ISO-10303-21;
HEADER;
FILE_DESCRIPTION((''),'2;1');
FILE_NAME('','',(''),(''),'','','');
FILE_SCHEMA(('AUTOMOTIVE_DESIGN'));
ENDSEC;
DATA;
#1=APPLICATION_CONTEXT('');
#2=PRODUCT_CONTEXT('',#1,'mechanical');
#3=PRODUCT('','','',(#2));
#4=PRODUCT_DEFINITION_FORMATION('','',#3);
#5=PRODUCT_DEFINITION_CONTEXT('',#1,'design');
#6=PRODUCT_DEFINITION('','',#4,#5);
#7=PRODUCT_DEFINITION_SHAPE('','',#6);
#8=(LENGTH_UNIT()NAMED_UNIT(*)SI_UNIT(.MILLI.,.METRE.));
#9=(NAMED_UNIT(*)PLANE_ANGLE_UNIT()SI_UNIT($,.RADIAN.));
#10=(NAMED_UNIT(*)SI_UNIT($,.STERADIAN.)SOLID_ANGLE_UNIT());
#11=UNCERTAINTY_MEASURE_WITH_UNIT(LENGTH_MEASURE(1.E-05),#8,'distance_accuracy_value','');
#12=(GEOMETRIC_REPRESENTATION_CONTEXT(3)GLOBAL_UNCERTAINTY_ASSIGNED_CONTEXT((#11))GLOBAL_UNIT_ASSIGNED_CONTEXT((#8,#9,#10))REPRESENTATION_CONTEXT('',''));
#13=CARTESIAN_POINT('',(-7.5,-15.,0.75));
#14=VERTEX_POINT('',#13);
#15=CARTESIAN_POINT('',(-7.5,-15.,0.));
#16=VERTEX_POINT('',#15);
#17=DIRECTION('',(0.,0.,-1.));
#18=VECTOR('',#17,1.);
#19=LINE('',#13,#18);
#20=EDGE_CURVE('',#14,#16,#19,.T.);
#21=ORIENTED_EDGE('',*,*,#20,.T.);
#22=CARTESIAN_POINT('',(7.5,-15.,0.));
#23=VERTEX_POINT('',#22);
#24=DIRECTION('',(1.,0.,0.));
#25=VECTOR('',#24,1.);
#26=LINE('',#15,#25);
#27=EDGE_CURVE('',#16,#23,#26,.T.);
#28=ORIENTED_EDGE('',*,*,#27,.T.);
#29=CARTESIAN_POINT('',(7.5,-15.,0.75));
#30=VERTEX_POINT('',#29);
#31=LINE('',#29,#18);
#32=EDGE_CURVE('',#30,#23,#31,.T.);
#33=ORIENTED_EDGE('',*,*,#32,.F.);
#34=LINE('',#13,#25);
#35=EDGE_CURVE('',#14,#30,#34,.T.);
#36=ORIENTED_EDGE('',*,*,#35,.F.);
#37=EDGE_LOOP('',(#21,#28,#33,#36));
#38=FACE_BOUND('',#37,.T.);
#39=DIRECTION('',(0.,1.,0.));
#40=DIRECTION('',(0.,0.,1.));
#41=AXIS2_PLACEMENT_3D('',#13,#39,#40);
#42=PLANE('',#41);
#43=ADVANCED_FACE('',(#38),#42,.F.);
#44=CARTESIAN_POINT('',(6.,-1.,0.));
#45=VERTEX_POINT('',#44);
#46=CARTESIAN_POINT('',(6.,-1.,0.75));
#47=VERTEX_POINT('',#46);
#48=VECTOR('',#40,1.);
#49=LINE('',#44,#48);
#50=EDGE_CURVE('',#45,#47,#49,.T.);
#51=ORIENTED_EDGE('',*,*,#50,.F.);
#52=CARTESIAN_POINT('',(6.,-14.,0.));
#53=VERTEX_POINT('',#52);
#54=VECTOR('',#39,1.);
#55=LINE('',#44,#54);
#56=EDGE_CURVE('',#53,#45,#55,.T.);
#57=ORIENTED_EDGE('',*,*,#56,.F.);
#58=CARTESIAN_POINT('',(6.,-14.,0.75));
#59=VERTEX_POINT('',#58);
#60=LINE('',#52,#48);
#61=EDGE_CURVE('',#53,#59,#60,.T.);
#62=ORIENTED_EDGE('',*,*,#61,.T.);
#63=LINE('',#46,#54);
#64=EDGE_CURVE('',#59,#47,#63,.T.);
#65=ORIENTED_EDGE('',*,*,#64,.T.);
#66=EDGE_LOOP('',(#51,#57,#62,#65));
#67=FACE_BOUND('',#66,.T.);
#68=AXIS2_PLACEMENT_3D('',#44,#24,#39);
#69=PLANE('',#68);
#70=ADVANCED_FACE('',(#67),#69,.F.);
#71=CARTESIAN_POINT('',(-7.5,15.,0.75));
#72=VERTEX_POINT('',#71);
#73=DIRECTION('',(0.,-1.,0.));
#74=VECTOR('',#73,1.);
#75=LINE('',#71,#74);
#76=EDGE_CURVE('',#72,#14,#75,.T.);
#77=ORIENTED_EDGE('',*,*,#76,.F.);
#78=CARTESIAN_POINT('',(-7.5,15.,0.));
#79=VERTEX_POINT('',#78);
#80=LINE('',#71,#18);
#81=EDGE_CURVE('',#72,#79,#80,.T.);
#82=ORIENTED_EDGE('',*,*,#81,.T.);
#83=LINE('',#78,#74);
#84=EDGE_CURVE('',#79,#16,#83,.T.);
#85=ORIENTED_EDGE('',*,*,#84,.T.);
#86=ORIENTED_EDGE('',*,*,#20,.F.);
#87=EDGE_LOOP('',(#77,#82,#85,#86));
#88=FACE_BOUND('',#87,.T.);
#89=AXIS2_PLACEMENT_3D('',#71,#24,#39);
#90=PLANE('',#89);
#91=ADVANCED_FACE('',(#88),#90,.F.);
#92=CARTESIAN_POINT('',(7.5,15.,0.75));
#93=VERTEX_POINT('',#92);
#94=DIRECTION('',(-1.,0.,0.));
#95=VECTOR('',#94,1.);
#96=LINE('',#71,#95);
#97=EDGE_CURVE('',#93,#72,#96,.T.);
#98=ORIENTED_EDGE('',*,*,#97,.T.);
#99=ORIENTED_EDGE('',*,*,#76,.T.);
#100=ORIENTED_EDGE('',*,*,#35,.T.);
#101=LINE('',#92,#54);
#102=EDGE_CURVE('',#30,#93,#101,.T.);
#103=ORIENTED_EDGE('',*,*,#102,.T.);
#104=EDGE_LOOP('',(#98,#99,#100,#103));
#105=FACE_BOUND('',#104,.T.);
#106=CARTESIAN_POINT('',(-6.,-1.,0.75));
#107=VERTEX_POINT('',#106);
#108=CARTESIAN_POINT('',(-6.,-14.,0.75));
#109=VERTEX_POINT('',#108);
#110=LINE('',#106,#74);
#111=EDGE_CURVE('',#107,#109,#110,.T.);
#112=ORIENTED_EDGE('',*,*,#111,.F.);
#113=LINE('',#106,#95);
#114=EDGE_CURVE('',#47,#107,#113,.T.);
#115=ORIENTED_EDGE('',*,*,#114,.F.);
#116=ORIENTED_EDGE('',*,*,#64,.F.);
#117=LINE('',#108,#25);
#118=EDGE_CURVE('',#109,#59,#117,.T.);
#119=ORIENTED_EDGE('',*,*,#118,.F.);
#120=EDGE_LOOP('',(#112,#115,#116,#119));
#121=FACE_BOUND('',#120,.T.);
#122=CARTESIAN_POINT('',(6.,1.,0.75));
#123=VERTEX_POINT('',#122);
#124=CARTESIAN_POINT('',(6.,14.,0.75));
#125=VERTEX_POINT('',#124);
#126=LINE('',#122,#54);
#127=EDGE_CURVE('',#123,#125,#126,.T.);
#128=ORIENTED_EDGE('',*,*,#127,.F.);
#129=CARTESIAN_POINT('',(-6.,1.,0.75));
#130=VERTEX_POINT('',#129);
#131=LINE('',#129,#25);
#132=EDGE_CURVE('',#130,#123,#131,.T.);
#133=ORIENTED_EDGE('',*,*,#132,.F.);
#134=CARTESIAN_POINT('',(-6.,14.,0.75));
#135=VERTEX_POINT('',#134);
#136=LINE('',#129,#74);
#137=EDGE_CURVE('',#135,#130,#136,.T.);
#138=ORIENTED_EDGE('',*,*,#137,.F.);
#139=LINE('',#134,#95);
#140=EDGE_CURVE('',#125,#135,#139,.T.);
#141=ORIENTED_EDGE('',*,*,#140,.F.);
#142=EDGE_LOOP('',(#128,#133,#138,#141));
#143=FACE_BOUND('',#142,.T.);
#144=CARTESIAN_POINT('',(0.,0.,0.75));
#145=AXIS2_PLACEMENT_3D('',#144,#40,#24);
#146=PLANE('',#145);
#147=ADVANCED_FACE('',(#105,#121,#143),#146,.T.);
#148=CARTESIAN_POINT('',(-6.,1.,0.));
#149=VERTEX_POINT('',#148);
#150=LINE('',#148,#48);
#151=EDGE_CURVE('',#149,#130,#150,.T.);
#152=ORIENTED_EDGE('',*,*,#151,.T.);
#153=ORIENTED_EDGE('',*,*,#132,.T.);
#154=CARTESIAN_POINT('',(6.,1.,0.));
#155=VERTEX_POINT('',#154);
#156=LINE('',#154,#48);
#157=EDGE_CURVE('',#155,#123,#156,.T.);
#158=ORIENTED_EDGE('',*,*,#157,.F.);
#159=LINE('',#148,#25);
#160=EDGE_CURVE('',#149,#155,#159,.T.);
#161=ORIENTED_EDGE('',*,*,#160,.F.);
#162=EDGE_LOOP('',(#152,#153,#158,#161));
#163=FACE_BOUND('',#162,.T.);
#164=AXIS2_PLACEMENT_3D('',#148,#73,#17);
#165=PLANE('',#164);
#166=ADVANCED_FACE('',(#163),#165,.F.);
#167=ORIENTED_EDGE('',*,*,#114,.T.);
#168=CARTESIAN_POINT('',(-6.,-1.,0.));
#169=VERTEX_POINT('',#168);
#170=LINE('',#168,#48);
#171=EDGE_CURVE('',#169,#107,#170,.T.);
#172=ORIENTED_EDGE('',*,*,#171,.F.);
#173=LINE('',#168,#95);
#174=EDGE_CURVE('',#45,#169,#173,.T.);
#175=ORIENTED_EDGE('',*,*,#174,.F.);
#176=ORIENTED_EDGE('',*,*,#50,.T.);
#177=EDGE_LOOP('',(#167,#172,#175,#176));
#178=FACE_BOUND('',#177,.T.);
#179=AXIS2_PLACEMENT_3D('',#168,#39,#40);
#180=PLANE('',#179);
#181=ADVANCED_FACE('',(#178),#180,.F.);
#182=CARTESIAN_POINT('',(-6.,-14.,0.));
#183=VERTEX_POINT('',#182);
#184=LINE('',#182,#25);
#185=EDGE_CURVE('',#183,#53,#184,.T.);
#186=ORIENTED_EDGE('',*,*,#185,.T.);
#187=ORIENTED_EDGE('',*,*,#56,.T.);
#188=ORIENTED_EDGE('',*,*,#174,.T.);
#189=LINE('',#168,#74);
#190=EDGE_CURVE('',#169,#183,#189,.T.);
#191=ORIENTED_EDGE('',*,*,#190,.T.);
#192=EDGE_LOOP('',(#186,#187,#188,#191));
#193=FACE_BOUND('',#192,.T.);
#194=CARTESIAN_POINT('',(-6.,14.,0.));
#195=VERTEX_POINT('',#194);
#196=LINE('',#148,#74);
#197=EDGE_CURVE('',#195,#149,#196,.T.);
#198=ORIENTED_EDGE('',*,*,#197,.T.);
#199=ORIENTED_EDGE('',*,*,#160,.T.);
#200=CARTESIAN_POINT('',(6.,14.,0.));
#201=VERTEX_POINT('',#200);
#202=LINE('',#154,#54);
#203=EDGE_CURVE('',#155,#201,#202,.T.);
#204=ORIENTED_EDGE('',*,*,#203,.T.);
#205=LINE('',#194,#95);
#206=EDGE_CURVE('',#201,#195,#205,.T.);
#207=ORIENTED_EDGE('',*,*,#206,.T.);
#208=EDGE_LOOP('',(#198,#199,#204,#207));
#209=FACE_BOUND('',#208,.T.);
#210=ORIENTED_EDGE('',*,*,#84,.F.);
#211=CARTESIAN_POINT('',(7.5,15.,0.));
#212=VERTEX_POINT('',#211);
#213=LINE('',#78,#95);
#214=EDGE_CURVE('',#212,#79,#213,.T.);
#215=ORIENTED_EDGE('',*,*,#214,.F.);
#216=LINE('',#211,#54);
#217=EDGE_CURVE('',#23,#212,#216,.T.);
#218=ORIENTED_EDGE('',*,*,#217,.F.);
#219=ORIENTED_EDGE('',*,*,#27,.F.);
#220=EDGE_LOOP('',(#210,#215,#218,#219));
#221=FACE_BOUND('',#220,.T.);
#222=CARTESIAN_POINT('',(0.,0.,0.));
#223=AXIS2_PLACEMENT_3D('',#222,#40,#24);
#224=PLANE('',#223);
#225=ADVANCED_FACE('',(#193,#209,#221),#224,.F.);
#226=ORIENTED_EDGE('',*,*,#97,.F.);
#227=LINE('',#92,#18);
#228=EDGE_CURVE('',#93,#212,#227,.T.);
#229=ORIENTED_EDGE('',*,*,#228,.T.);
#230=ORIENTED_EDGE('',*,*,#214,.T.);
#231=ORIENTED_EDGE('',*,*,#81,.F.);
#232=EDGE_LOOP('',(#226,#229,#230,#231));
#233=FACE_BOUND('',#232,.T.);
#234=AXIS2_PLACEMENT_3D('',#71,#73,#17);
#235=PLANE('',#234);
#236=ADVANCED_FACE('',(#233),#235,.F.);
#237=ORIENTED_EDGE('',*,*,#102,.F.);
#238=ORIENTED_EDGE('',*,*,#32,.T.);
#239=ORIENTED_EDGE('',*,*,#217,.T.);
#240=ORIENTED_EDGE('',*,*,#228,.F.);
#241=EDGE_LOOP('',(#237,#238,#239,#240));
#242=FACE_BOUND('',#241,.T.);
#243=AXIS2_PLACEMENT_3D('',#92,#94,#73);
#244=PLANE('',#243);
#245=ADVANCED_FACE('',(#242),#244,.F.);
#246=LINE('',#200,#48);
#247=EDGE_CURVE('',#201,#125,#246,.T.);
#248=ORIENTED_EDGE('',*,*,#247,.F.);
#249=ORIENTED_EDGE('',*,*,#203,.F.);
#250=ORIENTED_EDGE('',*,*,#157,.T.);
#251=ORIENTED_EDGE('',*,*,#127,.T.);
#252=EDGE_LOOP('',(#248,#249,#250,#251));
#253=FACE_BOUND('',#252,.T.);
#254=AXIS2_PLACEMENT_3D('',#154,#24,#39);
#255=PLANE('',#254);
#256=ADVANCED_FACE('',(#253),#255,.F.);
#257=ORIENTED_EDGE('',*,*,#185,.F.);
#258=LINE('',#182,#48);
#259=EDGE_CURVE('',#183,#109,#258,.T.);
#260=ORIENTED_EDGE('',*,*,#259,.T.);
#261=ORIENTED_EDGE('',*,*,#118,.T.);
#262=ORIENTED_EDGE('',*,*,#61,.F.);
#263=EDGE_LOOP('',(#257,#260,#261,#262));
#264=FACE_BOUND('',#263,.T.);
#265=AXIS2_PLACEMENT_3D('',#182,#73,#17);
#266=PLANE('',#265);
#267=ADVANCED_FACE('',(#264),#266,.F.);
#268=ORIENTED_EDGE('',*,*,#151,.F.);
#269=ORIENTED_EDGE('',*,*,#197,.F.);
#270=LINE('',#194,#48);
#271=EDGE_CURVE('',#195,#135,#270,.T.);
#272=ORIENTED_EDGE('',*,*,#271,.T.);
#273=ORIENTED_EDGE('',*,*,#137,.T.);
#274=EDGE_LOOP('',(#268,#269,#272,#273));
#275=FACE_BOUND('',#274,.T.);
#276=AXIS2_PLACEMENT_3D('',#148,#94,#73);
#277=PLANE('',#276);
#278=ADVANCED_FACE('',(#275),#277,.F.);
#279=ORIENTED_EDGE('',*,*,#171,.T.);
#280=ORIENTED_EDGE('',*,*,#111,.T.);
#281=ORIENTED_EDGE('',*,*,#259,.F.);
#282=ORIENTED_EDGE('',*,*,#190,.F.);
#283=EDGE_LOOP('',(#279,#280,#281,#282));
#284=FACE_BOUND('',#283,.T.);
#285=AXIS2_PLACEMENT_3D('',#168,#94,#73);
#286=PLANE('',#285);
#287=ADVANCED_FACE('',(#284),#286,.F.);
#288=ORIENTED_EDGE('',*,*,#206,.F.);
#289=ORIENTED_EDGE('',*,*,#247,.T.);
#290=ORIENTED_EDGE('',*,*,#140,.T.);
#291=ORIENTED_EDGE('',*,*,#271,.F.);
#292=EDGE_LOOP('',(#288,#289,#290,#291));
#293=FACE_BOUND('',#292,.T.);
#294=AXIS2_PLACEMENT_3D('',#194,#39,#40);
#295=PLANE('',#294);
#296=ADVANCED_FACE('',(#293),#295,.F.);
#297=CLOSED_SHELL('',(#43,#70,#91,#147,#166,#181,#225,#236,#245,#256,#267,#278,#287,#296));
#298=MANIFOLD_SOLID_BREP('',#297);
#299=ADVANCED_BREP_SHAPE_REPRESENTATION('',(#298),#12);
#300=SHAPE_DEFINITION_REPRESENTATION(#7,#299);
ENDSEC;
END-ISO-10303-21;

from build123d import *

# Parameters (mm, degrees)
SKETCH_1_W          = 15
SKETCH_1_H          = 30
EXTRUDE_1_DEPTH     = 0.75
SKETCH_2_W          = 12
SKETCH_2_H          = 13
CUT_EXTRUDE_1_DEPTH = 0.75


with BuildPart() as part:
    # 草圖1 → 填料-伸長1 (new body)
    with BuildSketch(Plane.XY):
        Rectangle(SKETCH_1_W, SKETCH_1_H)
    extrude(amount=EXTRUDE_1_DEPTH)

    # 草圖2 → 除料-伸長1 (cut)
    with BuildSketch(Plane.XY.offset(0.75)):
        with Locations((0, 7.5)):
            Rectangle(SKETCH_2_W, SKETCH_2_H)
        with Locations((0, -7.5)):
            Rectangle(SKETCH_2_W, SKETCH_2_H)
    extrude(amount=-CUT_EXTRUDE_1_DEPTH, mode=Mode.SUBTRACT)


solid = part.part
